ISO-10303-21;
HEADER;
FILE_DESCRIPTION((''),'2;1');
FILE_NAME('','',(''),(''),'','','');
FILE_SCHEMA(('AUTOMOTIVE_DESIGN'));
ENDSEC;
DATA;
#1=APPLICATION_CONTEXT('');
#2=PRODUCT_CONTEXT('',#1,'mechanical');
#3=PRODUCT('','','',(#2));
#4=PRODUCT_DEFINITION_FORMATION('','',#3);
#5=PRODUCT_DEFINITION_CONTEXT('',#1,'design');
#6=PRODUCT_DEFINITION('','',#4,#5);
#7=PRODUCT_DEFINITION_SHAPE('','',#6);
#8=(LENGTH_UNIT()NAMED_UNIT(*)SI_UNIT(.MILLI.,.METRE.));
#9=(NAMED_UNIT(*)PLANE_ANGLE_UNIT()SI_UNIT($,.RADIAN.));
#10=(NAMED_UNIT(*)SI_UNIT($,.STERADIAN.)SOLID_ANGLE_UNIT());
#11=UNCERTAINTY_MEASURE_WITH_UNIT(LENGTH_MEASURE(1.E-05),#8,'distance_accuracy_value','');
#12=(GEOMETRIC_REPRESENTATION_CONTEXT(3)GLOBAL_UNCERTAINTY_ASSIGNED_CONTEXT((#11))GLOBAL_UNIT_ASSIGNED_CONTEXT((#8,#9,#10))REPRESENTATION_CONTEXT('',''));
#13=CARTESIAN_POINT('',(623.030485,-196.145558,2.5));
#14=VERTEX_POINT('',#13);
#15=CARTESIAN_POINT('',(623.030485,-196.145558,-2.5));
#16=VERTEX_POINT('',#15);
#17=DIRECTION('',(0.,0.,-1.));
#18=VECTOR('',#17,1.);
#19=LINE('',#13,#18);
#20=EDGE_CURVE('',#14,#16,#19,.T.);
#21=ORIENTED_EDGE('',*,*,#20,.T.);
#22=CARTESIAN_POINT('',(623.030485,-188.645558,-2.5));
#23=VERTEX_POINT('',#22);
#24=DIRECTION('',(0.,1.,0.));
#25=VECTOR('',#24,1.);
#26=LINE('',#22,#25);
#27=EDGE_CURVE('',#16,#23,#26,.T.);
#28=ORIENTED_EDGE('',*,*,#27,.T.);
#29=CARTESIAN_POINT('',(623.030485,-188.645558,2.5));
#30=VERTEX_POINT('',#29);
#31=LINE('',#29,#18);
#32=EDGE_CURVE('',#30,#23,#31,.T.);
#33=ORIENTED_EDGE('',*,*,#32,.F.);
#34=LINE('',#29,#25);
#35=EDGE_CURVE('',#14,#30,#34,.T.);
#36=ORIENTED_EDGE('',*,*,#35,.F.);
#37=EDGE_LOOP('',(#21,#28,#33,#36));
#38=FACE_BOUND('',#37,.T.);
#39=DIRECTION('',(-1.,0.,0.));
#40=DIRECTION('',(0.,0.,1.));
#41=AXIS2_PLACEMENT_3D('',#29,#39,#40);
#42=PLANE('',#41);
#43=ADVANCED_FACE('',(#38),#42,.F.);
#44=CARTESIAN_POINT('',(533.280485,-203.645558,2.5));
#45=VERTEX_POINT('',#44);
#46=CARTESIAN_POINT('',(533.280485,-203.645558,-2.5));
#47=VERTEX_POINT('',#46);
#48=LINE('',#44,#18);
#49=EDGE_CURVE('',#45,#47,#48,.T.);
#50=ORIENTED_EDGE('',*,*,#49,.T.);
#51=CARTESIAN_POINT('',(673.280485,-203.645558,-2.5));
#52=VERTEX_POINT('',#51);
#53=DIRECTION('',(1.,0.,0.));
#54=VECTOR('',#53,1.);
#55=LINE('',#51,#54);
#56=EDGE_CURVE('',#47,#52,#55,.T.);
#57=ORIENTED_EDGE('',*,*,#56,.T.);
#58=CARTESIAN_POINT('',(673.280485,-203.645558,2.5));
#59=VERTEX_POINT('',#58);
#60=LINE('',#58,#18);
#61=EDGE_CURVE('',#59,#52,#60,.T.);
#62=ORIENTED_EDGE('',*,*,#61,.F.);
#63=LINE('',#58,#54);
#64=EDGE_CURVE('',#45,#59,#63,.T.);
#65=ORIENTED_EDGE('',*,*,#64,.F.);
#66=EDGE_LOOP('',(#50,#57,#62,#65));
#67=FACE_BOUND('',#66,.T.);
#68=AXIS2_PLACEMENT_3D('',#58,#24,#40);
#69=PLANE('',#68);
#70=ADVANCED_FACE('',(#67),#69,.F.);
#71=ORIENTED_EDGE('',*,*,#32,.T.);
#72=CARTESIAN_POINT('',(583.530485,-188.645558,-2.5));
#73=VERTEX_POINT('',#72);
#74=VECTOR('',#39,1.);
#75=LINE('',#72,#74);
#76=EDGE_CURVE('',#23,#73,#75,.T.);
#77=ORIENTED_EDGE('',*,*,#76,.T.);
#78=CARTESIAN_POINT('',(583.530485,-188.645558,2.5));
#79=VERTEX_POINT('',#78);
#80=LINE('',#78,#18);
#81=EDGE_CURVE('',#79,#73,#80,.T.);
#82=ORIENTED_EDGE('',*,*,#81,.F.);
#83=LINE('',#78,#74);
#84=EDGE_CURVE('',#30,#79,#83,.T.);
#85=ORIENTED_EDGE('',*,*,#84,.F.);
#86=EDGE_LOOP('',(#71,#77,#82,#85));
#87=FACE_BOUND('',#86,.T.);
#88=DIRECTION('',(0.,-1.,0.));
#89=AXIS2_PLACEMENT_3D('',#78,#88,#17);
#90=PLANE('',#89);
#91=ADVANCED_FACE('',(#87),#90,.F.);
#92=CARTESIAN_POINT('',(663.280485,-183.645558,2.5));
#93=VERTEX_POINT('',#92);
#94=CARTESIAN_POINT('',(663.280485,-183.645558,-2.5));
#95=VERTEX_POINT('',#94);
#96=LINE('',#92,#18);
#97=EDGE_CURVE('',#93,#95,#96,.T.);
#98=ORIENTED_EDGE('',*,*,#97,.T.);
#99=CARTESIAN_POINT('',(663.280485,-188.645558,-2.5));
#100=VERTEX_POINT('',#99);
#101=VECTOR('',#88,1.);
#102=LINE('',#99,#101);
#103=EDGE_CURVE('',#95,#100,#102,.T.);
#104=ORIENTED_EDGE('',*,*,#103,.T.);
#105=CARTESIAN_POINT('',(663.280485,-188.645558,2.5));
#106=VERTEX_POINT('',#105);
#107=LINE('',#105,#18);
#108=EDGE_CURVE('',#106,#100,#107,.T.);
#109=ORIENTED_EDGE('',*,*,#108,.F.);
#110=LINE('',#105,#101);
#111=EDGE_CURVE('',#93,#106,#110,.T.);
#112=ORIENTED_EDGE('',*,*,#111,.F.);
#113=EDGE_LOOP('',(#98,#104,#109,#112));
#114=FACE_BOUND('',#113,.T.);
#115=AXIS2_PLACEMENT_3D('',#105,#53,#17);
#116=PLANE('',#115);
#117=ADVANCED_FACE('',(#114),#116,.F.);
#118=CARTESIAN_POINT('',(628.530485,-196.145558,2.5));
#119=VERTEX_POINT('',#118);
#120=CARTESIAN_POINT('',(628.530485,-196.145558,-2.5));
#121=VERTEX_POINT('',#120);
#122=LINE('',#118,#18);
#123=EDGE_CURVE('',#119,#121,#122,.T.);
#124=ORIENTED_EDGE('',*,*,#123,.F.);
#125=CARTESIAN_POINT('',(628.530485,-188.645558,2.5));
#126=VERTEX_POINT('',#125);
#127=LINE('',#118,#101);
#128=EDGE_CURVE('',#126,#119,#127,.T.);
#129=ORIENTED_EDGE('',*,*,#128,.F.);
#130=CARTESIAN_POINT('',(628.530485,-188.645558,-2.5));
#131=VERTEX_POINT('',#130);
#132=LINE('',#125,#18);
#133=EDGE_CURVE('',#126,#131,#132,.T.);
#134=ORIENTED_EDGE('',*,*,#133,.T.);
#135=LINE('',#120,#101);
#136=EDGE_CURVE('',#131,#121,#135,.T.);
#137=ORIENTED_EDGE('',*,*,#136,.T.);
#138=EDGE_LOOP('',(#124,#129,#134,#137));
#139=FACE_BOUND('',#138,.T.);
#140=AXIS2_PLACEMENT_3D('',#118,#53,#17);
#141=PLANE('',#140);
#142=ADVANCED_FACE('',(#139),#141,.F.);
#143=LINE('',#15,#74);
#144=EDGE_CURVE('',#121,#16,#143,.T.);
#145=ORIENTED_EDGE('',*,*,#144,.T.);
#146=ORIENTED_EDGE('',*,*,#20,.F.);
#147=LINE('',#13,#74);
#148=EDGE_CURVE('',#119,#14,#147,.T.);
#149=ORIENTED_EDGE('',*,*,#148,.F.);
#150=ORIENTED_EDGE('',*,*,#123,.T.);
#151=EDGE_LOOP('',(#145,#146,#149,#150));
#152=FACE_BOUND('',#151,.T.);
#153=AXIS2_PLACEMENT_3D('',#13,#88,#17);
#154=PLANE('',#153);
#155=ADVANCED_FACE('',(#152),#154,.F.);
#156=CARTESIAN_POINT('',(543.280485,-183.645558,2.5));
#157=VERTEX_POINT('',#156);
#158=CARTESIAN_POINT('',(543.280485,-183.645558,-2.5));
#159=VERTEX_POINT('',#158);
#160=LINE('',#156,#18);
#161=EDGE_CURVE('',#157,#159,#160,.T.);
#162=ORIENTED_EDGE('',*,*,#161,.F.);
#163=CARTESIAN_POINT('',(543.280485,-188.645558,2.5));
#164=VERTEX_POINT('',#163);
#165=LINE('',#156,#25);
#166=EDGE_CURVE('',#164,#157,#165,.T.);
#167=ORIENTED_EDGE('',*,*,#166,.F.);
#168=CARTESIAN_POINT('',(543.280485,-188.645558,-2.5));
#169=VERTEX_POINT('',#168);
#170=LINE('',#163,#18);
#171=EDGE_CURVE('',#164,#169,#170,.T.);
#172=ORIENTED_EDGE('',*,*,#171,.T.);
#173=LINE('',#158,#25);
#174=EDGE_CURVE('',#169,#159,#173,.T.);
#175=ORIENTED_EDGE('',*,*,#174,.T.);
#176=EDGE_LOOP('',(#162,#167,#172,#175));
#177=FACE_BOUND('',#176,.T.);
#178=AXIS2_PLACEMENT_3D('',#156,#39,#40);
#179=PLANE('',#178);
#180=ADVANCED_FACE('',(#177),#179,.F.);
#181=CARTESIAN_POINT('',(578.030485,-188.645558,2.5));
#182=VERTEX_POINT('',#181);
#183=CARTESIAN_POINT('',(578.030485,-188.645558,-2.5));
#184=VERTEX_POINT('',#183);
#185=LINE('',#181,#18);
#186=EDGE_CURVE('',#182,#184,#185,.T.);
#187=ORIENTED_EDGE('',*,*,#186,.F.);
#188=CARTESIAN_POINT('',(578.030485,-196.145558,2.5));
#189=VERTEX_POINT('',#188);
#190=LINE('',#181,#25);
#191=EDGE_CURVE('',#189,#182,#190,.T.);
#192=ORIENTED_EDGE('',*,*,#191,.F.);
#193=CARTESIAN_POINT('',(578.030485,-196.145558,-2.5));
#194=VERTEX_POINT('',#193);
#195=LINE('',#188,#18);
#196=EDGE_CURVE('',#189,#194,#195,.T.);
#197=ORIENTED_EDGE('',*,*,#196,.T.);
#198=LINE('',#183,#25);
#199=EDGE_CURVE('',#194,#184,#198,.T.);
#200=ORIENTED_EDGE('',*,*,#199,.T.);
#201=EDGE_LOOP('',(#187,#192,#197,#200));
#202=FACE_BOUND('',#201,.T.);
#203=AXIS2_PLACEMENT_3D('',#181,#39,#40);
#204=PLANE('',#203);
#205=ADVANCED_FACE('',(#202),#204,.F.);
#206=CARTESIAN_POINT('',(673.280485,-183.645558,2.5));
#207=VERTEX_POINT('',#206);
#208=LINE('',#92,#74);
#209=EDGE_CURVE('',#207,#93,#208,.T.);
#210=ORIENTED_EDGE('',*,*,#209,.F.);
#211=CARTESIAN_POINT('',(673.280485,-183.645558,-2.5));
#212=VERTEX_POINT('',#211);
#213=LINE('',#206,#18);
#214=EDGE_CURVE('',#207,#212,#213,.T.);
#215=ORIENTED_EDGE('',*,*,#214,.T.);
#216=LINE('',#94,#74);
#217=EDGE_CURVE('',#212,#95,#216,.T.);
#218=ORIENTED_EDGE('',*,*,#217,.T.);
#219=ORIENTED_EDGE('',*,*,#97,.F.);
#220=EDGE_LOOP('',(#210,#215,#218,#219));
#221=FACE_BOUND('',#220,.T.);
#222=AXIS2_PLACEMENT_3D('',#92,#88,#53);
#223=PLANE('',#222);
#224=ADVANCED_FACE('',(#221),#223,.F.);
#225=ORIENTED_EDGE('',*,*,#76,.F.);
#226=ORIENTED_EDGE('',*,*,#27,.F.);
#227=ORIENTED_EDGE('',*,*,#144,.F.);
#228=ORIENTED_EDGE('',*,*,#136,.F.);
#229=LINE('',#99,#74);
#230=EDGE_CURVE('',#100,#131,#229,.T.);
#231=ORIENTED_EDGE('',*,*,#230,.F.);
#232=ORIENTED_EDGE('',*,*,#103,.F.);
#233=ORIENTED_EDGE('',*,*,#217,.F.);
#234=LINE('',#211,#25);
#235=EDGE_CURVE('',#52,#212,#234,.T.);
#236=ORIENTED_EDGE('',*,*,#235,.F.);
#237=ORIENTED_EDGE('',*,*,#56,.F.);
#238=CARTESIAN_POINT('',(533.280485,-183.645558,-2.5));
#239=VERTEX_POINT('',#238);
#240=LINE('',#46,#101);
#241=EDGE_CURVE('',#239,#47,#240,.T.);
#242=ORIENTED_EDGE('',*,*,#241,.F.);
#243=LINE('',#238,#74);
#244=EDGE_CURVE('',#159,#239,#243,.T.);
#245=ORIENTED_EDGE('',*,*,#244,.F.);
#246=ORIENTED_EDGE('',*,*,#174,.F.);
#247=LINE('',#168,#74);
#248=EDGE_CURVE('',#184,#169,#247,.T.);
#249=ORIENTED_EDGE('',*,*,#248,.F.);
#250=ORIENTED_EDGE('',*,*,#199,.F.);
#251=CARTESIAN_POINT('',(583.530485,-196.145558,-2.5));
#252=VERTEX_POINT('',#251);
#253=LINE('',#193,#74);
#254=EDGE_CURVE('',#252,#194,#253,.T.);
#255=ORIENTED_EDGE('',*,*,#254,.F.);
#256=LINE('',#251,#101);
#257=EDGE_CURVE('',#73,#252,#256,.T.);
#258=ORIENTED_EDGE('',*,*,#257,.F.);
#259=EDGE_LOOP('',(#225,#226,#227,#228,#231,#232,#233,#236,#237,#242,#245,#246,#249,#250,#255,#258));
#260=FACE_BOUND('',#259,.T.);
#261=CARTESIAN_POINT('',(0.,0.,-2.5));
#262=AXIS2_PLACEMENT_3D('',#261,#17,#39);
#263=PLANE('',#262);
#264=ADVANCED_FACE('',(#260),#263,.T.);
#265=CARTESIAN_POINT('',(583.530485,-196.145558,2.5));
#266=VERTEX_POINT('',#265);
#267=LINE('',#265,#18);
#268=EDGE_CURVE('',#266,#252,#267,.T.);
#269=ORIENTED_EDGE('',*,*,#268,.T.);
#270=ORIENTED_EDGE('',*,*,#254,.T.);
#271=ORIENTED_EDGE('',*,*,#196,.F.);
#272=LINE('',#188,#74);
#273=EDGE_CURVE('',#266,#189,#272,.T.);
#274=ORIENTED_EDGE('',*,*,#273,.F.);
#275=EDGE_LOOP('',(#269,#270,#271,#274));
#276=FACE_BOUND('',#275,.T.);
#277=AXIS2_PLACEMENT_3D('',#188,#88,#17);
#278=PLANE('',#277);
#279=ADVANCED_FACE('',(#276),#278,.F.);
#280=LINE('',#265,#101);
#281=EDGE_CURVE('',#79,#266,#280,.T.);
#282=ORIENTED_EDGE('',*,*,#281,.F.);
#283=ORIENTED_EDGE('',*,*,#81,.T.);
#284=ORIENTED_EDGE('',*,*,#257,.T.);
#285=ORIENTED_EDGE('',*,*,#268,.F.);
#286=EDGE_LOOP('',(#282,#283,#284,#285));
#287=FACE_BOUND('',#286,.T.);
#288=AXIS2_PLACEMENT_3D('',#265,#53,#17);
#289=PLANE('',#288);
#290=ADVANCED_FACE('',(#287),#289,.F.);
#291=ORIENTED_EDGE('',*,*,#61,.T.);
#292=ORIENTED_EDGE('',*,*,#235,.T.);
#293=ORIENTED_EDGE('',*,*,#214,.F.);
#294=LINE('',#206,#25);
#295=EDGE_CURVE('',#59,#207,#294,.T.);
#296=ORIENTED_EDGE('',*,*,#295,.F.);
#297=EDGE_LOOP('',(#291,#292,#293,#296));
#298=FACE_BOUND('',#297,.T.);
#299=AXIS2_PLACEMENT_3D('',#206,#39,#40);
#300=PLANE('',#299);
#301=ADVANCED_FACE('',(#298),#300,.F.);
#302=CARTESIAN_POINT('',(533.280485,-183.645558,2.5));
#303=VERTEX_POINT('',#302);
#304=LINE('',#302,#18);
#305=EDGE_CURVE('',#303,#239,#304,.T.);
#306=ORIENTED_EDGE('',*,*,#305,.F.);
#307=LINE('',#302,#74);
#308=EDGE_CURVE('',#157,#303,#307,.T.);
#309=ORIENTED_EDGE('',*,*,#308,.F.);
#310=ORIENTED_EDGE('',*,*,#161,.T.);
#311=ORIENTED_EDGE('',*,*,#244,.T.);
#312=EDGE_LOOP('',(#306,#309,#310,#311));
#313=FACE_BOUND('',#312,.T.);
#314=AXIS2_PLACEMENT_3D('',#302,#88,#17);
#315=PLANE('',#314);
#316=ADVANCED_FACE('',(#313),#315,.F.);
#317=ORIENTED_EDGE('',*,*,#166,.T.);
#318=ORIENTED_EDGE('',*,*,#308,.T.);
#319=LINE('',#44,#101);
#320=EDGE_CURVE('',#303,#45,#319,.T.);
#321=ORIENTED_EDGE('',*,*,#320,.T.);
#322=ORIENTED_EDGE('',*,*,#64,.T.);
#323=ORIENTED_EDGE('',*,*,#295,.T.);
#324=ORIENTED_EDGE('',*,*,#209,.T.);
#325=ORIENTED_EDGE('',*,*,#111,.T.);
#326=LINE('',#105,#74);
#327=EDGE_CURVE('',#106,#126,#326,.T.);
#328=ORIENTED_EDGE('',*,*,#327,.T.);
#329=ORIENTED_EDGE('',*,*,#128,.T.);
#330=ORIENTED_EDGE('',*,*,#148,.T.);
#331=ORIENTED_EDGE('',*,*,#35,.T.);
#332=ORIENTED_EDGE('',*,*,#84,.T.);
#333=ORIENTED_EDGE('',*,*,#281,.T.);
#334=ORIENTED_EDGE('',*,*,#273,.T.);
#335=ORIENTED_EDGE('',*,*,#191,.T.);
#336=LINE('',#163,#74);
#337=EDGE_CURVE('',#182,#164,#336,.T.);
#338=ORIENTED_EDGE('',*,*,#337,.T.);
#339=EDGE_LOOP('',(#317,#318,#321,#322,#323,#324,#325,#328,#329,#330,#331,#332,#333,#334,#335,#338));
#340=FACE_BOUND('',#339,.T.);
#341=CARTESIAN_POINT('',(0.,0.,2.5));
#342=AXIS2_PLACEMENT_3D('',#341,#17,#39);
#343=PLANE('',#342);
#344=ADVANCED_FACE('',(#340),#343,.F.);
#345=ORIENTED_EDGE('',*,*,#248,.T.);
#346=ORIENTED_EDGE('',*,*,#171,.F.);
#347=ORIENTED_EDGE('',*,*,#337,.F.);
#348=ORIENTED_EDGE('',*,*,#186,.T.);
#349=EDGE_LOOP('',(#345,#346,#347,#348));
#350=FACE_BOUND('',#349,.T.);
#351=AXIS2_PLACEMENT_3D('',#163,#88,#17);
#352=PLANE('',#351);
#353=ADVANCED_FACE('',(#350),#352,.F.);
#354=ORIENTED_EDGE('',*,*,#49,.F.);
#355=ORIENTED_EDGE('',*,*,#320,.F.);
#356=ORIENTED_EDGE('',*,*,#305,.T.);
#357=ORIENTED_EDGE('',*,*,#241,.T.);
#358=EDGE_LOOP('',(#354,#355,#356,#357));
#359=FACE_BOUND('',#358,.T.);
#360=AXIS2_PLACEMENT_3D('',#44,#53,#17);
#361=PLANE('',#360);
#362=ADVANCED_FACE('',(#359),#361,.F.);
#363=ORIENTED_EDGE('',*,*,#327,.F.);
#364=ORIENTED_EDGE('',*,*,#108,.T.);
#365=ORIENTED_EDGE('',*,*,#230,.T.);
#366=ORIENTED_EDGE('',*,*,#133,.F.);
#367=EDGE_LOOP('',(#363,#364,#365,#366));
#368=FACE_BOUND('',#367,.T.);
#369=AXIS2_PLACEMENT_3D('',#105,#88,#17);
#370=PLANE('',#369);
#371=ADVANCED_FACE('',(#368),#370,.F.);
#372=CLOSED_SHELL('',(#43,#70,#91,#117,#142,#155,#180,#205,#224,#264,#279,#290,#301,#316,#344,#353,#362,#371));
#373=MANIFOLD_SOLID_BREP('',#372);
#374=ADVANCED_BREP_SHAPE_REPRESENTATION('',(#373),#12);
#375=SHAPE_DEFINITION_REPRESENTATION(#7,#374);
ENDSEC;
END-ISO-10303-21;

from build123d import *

# Parameters (mm, degrees)
BOSS_EXTRUDE1_DEPTH = 2.5


with BuildPart() as part:
    # Sketch2 → Boss-Extrude1 (new, symmetric)
    with BuildSketch(Plane.XY):
        Polygon((673.280484652, -183.645557825), (673.280484652, -203.645557825), (533.280484652, -203.645557825), (533.280484652, -183.645557825), (543.280484652, -183.645557825), (543.280484652, -188.645557825), (578.030484652, -188.645557825), (578.030484652, -196.145557825), (583.530484652, -196.145557825), (583.530484652, -188.645557825), (623.030484652, -188.645557825), (623.030484652, -196.145557825), (628.530484652, -196.145557825), (628.530484652, -188.645557825), (663.280484652, -188.645557825), (663.280484652, -183.645557825), align=None)
    extrude(amount=BOSS_EXTRUDE1_DEPTH, both=True)


solid = part.part
